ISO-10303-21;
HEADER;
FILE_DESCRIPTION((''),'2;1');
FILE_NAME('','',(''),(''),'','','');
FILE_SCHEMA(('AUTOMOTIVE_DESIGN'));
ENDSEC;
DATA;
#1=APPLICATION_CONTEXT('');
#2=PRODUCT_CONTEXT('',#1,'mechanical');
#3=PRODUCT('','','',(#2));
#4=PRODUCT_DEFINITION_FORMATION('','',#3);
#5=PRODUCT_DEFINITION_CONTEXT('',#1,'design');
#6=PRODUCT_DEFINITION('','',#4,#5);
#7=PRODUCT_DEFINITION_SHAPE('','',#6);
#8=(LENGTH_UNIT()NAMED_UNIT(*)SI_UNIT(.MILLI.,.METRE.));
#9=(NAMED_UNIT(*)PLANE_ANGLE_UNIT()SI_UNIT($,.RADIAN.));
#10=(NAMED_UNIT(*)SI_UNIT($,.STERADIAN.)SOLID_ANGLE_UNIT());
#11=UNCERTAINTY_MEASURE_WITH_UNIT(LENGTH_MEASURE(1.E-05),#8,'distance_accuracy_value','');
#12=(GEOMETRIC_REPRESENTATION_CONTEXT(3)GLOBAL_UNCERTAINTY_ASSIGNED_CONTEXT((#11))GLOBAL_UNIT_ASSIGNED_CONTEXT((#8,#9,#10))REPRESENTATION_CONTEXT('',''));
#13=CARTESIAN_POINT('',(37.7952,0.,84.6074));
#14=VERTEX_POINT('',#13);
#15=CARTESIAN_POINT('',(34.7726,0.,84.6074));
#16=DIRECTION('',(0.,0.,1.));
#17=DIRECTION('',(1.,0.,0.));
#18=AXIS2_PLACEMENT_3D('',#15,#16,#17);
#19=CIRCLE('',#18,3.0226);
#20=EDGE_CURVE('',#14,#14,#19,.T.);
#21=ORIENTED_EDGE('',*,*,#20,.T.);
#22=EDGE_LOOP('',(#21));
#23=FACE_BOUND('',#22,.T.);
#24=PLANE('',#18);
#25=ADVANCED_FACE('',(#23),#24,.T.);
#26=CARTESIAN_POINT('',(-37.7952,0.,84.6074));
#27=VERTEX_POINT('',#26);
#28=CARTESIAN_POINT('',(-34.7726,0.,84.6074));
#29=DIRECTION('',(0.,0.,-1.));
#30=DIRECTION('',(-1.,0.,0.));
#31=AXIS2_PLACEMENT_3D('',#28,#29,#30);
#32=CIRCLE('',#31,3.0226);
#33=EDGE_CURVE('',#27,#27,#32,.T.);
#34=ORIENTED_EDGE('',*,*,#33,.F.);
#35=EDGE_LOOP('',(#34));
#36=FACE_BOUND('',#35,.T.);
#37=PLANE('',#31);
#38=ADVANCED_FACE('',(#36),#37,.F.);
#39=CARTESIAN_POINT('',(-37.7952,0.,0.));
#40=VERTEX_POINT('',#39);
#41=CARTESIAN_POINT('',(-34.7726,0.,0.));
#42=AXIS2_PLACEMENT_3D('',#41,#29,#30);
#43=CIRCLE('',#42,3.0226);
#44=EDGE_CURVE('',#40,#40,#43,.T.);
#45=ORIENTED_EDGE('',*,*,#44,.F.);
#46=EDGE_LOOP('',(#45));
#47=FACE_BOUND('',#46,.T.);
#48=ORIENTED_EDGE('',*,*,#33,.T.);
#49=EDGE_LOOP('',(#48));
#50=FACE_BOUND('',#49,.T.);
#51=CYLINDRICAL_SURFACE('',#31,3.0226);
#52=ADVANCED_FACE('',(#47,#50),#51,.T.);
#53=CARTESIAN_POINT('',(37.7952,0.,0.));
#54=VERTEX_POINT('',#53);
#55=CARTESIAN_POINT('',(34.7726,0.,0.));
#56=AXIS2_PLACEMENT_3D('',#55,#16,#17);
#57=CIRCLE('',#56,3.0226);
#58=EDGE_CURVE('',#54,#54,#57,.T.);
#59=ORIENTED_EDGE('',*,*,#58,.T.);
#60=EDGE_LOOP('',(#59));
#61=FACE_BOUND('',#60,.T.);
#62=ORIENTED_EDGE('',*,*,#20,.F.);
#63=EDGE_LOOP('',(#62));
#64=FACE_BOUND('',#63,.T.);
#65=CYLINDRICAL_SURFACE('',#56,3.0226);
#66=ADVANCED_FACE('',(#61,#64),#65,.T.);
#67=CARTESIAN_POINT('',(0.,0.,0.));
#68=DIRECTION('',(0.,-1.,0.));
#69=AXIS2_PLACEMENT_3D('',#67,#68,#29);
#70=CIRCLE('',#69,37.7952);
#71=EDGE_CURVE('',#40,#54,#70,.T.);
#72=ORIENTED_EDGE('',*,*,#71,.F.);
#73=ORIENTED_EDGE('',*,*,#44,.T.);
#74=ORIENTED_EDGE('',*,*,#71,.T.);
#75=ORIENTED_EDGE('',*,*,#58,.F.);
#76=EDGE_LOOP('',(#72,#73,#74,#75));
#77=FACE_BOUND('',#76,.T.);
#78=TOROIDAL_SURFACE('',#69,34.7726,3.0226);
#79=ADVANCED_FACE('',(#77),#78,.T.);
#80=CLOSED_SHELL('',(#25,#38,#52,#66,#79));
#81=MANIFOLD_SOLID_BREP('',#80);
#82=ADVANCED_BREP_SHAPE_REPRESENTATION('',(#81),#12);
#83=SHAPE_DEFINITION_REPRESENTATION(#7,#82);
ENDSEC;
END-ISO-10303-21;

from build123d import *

# Parameters (mm, degrees)
SKETCH6_R = 3.0226


with BuildPart() as part:
    # Sweep2: sweep along a path in Sketch1
    with BuildLine(Plane(origin=(0, 0, 0), x_dir=(1, 0, 0), z_dir=(0, 1, 0))) as sweep2_path:
        Line((-34.7726, -84.6074), (-34.7726, 0))
        ThreePointArc((-34.7726, 0), (0, 34.7726), (34.7726, 0))
        Line((34.7726, 0), (34.7726, -84.6074))
    # Sketch6 → Sweep2 (sweep)
    with BuildSketch(Plane.XY.offset(84.6074)):
        with Locations((34.7726, 0)):
            Circle(SKETCH6_R)
    sweep(path=sweep2_path.line)


solid = part.part
